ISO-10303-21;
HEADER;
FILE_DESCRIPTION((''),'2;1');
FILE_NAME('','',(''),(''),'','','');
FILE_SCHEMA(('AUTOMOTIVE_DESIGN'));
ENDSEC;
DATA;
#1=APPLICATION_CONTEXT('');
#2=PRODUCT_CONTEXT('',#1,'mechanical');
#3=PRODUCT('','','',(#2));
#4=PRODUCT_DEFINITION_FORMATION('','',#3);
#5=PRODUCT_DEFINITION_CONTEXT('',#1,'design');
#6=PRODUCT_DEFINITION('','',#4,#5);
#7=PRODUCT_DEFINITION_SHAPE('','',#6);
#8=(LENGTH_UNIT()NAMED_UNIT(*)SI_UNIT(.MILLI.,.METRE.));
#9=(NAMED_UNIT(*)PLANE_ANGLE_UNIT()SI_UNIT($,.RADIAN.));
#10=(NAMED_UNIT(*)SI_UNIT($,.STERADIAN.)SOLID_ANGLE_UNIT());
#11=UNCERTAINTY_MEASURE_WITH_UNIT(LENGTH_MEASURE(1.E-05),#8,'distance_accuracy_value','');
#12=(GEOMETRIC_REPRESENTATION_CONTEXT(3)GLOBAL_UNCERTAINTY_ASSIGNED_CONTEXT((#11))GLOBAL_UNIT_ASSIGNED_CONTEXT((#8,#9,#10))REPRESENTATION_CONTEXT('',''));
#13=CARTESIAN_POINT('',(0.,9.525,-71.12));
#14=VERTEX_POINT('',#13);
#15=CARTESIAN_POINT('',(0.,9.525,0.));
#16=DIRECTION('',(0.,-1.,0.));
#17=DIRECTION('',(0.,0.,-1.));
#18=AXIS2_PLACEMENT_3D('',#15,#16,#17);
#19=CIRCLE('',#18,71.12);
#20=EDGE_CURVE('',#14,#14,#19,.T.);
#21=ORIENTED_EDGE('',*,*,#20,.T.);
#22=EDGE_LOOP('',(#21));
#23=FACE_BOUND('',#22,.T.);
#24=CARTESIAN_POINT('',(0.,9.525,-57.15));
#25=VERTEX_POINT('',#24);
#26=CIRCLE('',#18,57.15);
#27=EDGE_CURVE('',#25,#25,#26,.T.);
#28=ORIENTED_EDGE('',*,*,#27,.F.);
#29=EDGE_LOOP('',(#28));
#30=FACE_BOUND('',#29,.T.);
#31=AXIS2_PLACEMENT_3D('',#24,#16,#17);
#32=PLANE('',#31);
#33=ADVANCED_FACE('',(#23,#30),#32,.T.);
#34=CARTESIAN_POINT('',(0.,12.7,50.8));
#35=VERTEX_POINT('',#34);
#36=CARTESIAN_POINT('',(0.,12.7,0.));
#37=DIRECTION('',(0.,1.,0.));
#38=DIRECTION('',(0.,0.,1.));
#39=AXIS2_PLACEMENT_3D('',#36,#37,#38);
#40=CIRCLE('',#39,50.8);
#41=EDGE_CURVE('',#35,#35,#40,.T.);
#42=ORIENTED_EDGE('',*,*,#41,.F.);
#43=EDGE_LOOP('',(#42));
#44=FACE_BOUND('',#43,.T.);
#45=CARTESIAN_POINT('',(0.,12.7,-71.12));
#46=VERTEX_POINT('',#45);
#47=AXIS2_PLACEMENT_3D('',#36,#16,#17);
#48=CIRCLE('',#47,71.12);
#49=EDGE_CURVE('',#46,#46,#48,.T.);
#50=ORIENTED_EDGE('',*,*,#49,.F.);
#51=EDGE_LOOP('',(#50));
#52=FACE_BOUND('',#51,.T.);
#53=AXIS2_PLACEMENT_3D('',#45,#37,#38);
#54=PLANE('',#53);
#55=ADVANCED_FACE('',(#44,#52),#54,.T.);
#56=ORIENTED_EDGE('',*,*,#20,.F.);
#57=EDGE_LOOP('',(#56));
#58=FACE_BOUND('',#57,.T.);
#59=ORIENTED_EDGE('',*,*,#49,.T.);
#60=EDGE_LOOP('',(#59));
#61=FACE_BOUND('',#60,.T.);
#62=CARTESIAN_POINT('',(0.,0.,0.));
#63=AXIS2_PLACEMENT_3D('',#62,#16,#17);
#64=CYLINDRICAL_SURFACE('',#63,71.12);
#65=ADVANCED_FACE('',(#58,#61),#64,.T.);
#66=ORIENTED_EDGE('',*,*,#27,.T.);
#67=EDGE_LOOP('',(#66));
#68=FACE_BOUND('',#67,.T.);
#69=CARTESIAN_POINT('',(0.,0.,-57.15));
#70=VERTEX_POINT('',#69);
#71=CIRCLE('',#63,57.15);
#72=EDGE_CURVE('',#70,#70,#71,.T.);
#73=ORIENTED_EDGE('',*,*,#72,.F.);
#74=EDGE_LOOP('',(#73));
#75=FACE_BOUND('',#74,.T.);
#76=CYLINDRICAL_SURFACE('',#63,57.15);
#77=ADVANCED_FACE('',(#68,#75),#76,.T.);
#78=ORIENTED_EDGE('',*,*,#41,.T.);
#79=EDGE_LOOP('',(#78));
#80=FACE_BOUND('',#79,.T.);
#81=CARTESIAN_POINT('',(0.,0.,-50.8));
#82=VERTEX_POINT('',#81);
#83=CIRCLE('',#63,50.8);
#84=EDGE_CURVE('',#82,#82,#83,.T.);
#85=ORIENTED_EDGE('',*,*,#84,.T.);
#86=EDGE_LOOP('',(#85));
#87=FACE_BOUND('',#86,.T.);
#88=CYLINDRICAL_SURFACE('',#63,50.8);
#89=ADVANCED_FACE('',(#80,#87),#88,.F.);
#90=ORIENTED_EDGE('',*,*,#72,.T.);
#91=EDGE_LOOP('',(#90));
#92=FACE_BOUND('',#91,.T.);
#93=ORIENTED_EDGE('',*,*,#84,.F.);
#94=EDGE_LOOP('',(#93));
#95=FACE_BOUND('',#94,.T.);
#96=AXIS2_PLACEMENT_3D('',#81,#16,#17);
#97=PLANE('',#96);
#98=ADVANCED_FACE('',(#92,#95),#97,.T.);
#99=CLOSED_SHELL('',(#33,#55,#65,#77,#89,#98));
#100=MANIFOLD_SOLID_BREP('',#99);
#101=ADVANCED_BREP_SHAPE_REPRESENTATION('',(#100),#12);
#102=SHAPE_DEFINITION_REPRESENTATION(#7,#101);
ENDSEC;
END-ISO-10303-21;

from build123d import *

# Parameters (mm, degrees)
SKETCH4_R          = 50.8
CUT_EXTRUDE1_DEPTH = 13.7


with BuildPart() as part:
    # Sketch1 → Revolve1 (revolve)
    with BuildSketch(Plane(origin=(0, 0, 0), x_dir=(0, 0, -1), z_dir=(1, 0, 0))):
        Polygon((50.8, 0), (57.15, 0), (57.15, 9.525), (71.12, 9.525), (71.12, 12.7), (0, 12.7), (0, 9.525), (50.8, 9.525), align=None)
    revolve(axis=Axis((0, 0, 0), (0, 1, 0)))

    # Sketch4 → Cut-Extrude1 (cut, through all)
    with BuildSketch(Plane(origin=(0, 12.7, 0), x_dir=(1, 0, 0), z_dir=(0, 1, 0))):
        Circle(SKETCH4_R)
    extrude(amount=-CUT_EXTRUDE1_DEPTH, mode=Mode.SUBTRACT)


solid = part.part
